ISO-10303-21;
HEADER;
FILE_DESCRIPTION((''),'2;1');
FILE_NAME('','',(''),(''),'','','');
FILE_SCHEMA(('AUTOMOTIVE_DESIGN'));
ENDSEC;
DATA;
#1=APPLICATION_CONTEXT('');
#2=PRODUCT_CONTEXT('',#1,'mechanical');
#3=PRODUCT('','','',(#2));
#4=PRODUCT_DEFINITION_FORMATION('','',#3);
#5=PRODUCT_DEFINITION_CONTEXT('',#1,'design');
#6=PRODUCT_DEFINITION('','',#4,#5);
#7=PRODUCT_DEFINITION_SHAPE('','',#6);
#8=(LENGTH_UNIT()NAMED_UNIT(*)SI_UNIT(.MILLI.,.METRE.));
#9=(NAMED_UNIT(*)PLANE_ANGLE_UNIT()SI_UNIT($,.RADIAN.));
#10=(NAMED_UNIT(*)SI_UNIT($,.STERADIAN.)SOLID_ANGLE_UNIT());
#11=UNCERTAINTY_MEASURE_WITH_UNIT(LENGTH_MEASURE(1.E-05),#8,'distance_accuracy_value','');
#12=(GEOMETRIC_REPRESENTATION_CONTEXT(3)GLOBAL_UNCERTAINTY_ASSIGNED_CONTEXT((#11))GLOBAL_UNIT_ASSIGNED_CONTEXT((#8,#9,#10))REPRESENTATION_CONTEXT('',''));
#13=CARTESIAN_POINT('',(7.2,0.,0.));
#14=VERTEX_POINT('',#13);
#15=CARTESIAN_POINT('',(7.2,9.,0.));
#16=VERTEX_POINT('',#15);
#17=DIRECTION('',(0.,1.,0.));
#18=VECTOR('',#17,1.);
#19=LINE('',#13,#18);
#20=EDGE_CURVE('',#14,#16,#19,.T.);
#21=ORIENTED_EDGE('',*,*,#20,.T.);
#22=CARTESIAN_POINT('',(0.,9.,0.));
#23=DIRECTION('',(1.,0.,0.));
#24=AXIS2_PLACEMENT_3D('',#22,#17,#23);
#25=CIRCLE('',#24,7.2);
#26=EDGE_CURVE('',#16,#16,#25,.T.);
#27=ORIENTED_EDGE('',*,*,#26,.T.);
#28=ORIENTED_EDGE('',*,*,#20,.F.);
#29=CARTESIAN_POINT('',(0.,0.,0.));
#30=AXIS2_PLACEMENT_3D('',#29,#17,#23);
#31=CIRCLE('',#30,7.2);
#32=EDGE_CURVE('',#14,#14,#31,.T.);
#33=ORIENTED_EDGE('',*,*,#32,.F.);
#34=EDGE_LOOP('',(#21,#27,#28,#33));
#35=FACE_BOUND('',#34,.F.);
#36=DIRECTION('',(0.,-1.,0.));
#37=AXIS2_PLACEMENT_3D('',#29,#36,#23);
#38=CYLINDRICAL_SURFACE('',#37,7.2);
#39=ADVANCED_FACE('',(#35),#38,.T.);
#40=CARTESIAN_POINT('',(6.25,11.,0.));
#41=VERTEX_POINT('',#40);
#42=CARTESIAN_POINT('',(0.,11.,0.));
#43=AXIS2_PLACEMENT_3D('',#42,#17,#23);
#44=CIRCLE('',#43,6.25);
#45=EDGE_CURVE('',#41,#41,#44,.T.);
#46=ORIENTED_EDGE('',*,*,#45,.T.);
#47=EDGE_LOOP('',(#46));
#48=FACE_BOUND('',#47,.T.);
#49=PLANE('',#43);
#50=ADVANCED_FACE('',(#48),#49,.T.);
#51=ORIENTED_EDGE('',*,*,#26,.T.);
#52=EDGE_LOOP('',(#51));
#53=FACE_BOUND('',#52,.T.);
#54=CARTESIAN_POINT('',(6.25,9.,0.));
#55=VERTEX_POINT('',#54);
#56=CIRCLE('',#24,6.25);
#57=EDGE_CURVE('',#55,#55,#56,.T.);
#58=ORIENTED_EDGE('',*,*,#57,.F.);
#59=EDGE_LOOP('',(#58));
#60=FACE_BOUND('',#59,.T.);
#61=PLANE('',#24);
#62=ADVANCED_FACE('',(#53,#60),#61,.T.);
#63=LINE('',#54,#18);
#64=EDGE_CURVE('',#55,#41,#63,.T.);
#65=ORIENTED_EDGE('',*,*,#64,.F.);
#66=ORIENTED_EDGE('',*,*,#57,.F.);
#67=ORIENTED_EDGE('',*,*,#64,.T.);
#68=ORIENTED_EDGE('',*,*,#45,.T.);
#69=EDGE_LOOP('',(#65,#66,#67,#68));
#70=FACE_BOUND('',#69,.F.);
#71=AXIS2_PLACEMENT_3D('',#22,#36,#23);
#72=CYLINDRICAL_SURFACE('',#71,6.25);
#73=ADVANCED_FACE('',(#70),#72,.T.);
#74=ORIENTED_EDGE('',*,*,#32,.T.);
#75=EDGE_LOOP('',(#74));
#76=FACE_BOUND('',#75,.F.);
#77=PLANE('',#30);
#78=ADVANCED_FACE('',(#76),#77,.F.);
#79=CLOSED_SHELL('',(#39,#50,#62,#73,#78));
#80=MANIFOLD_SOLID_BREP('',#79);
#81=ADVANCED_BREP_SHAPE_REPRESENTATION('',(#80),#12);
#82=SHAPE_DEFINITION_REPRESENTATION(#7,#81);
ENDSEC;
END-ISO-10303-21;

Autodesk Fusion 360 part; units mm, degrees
sketch "Sketch1" plane through (0, 0, 0) normal (0, 1, 0) x (1, 0, 0)
  circle A0 centre (0, 0) radius 7.2
  circle A1 centre (0, 0) radius 6.25
  dimension "d1" = 14.4
  dimension "d2" = 12.5
extrude "Extrude1" add sketch "Sketch1" along normal blind 9 contours A0 | A1
extrude "Extrude2" add sketch "Sketch1" along normal blind 2 from surface at 9 contours A1
